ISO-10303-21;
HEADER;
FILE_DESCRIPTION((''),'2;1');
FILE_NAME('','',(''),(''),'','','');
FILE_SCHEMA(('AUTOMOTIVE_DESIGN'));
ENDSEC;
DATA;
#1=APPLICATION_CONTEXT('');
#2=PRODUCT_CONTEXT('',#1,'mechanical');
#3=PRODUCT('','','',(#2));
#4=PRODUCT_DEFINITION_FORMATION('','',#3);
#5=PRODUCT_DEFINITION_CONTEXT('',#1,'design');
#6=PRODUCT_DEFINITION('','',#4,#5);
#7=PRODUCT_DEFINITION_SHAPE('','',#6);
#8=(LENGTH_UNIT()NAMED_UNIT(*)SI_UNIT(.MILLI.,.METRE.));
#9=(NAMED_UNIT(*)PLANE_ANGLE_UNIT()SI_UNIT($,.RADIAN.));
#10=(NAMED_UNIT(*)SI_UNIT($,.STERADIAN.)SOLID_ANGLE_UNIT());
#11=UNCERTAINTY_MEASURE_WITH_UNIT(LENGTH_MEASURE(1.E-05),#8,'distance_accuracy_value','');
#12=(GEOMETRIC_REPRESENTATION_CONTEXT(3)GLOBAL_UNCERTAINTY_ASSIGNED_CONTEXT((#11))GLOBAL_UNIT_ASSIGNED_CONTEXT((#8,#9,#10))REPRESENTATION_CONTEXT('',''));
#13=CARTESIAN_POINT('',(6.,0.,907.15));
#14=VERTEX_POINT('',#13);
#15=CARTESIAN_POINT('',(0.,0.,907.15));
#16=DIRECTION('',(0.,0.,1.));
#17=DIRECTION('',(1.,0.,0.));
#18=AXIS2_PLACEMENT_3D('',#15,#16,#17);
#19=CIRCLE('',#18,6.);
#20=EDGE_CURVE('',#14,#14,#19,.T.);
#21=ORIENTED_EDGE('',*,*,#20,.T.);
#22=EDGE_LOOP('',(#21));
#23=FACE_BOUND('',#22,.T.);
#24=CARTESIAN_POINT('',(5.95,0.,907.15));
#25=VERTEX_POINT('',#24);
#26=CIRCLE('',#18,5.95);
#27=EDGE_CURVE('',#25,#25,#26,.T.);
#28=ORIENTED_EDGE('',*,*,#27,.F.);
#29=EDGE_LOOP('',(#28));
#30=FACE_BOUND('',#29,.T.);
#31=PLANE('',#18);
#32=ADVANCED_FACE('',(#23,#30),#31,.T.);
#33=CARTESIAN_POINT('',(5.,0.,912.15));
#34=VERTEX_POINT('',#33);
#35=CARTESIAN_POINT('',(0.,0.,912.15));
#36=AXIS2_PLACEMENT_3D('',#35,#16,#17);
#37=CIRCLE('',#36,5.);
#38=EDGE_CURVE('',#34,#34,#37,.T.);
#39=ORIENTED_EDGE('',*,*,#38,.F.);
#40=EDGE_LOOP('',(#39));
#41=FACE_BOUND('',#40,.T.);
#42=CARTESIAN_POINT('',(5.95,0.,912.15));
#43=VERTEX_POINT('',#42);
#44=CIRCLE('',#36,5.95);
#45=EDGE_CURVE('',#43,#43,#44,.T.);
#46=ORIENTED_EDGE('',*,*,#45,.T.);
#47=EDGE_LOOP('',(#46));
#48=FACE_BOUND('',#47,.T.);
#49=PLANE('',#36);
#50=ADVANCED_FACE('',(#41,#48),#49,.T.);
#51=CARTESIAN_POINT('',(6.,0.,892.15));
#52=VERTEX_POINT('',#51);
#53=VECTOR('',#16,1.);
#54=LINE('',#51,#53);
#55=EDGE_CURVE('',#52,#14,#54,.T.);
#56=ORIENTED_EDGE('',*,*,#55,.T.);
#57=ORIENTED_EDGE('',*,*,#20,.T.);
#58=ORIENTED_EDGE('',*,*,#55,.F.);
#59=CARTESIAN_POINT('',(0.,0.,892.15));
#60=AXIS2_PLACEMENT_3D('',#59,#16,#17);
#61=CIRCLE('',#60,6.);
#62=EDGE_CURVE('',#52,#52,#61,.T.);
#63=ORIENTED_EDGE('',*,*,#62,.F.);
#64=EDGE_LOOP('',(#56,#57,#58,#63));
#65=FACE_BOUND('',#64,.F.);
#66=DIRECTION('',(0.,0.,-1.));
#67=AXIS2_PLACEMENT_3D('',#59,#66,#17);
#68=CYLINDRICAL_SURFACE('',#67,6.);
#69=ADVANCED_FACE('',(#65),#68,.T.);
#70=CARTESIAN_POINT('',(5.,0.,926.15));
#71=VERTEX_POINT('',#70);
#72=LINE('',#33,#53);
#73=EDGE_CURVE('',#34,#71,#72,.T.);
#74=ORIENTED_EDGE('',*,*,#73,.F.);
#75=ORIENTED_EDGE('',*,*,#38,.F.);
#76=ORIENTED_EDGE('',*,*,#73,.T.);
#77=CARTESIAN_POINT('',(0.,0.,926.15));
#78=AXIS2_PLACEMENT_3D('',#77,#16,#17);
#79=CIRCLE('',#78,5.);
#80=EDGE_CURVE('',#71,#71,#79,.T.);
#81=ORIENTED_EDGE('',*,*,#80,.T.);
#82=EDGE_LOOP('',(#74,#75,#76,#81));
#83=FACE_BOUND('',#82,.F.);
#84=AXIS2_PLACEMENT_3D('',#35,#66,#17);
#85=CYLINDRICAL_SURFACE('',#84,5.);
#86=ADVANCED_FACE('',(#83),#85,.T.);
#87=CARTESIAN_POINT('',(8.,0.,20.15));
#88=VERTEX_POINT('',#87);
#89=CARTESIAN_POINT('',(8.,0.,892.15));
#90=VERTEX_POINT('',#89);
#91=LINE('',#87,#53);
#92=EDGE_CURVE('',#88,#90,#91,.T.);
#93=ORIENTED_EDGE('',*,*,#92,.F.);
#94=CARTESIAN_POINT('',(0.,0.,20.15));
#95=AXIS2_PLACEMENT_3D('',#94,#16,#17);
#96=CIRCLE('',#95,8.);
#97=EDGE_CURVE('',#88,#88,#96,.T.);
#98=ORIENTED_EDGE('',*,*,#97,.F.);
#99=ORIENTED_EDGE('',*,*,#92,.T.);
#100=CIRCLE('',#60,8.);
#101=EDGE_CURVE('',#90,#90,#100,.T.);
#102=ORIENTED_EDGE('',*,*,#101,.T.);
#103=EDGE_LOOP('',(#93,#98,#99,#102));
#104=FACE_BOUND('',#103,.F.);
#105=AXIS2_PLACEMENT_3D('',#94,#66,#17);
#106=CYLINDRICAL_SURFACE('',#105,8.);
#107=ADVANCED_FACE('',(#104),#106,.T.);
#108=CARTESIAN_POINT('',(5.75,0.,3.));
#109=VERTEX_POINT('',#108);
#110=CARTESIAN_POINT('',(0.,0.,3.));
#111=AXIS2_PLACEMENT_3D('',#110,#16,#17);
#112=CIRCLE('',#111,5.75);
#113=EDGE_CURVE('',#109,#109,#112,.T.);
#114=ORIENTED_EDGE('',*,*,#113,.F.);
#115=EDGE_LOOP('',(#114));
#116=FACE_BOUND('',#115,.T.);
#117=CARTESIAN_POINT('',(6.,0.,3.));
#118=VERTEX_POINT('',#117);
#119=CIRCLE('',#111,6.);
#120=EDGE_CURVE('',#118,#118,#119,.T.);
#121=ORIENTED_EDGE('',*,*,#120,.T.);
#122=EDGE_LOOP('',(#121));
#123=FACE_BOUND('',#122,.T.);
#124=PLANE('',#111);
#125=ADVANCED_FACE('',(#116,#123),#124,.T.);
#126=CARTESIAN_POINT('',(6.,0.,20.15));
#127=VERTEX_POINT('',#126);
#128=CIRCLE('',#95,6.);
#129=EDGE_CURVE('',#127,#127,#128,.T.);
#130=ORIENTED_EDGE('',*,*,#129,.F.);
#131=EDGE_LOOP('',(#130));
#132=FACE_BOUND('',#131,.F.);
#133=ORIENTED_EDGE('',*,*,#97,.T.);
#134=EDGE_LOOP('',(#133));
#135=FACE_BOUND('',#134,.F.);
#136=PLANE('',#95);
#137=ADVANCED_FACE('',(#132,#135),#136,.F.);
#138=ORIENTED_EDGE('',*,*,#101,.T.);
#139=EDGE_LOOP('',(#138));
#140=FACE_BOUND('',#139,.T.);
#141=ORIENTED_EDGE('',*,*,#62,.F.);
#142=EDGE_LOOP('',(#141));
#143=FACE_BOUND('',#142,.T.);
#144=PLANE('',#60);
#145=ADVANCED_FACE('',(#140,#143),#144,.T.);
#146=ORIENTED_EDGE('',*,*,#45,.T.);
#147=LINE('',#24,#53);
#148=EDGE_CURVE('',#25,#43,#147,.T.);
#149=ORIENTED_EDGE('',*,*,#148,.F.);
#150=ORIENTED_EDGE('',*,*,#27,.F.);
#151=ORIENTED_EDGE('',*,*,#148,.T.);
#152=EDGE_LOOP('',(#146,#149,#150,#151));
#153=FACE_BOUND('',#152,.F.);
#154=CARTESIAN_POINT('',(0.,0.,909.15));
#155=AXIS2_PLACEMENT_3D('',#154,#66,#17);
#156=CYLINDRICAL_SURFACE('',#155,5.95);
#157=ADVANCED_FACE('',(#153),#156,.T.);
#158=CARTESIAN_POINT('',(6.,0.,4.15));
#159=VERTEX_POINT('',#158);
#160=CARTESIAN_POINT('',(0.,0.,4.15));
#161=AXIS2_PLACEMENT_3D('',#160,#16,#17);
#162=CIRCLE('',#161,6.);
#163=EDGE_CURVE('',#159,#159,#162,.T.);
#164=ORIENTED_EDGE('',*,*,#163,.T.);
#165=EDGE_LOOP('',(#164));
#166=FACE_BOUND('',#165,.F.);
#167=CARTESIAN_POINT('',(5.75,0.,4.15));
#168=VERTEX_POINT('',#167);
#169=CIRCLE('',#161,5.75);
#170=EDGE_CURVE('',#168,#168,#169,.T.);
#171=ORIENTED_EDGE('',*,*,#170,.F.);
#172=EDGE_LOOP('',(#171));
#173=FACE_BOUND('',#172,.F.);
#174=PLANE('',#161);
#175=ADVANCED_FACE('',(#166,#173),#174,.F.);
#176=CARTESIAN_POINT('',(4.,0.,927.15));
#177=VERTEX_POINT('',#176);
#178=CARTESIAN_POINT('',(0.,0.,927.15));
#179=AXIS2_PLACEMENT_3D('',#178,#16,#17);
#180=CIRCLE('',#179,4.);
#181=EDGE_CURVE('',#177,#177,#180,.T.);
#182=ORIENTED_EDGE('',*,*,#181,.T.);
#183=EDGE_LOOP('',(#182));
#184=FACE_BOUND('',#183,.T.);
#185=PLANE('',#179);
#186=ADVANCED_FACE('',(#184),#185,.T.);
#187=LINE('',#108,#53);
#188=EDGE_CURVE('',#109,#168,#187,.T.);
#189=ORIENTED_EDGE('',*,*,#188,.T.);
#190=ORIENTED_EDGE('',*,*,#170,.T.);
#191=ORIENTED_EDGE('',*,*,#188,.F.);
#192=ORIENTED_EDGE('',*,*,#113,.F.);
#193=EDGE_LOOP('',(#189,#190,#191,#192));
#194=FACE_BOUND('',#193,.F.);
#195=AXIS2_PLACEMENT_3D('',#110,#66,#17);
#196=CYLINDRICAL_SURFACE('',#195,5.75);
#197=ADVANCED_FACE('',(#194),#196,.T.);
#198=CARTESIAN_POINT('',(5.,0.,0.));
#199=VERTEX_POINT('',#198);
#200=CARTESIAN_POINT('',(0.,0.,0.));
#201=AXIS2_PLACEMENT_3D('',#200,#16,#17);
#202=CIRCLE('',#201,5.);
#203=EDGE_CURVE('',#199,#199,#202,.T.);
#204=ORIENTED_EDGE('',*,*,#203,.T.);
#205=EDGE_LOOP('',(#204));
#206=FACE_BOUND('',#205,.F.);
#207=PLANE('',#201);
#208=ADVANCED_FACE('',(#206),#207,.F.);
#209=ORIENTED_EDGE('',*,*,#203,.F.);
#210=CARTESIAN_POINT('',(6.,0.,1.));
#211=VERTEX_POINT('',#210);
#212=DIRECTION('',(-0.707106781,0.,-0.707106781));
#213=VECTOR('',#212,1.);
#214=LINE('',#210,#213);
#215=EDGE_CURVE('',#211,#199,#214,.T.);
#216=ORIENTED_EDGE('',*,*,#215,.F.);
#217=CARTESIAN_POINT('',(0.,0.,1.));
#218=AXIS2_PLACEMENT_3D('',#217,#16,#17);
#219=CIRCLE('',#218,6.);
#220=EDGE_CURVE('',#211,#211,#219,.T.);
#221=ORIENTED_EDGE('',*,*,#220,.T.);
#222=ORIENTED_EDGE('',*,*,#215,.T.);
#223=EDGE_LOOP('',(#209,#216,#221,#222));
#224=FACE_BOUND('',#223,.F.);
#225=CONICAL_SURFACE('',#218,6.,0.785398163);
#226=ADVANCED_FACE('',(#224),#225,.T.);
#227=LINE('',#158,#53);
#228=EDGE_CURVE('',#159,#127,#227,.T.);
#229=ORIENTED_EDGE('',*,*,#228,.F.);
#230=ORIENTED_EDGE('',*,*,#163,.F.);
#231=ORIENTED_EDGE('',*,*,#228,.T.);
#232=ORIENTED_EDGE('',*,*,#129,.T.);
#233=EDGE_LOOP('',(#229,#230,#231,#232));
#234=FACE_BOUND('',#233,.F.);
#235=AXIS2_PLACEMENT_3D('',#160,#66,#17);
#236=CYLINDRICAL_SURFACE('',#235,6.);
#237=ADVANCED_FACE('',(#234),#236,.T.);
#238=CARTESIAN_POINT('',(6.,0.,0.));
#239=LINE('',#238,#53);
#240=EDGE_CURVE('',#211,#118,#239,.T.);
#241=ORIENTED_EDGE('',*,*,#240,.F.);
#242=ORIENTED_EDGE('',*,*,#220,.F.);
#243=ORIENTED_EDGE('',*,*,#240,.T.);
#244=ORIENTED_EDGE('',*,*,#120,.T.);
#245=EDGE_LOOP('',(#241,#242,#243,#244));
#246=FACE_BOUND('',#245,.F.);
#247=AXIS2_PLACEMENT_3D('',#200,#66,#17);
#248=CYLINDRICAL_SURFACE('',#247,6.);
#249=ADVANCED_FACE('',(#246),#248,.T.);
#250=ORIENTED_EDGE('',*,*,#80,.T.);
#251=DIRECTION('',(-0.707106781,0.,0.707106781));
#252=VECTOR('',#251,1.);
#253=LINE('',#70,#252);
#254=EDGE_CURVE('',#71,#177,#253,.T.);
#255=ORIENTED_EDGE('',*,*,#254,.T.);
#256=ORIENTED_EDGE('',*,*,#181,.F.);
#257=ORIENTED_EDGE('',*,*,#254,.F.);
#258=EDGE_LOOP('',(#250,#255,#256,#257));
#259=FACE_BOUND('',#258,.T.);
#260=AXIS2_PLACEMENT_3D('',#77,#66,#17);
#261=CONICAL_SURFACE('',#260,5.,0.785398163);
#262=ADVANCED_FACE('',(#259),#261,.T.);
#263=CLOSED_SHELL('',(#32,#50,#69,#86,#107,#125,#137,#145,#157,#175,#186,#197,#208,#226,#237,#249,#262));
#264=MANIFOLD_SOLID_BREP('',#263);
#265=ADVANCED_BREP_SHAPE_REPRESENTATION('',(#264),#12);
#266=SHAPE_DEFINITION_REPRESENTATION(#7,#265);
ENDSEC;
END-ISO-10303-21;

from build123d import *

# Parameters (mm, degrees)
F0_R      = 6
F1_DEPTH  = 3
F2_R      = 5.75
F3_DEPTH  = 1.15
F4_R      = 6
F4_R_2    = 5.75
F5_DEPTH  = 16
F6_R      = 8
F6_R_2    = 6
F7_DEPTH  = 872
F8_R      = 6
F9_DEPTH  = 15
F10_R     = 5.95
F11_DEPTH = 2
F12_R     = 5.95
F13_DEPTH = 3
F14_R     = 5
F15_DEPTH = 15
F16_SIZE  = 1


with BuildPart() as f1:
    # F0 (on Top) → F1 (new body)
    with BuildSketch(Plane.XY):
        Circle(F0_R)
    extrude(amount=F1_DEPTH)

    # F2 (on face) → F3 (join)
    with BuildSketch(Plane.XY.offset(3)):
        Circle(F2_R)
    extrude(amount=F3_DEPTH)

    # F4 (on face) → F5 (join)
    with BuildSketch(Plane.XY.offset(4.15)):
        Circle(F4_R)
        Circle(F4_R_2, mode=Mode.SUBTRACT)
        Circle(F4_R_2)
    extrude(amount=F5_DEPTH)

    # F6 (on face) → F7 (join)
    with BuildSketch(Plane.XY.offset(20.15)):
        Circle(F6_R)
        Circle(F6_R_2, mode=Mode.SUBTRACT)
        Circle(F6_R_2)
    extrude(amount=F7_DEPTH)

    # F8 (on face) → F9 (join)
    with BuildSketch(Plane.XY.offset(892.15)):
        Circle(F8_R)
    extrude(amount=F9_DEPTH)

    # F10 (on face) → F11 (join)
    with BuildSketch(Plane.XY.offset(907.15)):
        Circle(F10_R)
    extrude(amount=F11_DEPTH)

    # F12 (on face) → F13 (join)
    with BuildSketch(Plane.XY.offset(909.15)):
        Circle(F12_R)
    extrude(amount=F13_DEPTH)

    # F14 (on face) → F15 (join)
    with BuildSketch(Plane.XY.offset(912.15)):
        Circle(F14_R)
    extrude(amount=F15_DEPTH)

    # F16
    f16_edges = [f1.edges().sort_by_distance(p)[0] for p in [
        (-5, 0, 927.15),
        (-6, 0, 0),
    ]]
    chamfer(f16_edges, length=F16_SIZE)


solid = f1.part
